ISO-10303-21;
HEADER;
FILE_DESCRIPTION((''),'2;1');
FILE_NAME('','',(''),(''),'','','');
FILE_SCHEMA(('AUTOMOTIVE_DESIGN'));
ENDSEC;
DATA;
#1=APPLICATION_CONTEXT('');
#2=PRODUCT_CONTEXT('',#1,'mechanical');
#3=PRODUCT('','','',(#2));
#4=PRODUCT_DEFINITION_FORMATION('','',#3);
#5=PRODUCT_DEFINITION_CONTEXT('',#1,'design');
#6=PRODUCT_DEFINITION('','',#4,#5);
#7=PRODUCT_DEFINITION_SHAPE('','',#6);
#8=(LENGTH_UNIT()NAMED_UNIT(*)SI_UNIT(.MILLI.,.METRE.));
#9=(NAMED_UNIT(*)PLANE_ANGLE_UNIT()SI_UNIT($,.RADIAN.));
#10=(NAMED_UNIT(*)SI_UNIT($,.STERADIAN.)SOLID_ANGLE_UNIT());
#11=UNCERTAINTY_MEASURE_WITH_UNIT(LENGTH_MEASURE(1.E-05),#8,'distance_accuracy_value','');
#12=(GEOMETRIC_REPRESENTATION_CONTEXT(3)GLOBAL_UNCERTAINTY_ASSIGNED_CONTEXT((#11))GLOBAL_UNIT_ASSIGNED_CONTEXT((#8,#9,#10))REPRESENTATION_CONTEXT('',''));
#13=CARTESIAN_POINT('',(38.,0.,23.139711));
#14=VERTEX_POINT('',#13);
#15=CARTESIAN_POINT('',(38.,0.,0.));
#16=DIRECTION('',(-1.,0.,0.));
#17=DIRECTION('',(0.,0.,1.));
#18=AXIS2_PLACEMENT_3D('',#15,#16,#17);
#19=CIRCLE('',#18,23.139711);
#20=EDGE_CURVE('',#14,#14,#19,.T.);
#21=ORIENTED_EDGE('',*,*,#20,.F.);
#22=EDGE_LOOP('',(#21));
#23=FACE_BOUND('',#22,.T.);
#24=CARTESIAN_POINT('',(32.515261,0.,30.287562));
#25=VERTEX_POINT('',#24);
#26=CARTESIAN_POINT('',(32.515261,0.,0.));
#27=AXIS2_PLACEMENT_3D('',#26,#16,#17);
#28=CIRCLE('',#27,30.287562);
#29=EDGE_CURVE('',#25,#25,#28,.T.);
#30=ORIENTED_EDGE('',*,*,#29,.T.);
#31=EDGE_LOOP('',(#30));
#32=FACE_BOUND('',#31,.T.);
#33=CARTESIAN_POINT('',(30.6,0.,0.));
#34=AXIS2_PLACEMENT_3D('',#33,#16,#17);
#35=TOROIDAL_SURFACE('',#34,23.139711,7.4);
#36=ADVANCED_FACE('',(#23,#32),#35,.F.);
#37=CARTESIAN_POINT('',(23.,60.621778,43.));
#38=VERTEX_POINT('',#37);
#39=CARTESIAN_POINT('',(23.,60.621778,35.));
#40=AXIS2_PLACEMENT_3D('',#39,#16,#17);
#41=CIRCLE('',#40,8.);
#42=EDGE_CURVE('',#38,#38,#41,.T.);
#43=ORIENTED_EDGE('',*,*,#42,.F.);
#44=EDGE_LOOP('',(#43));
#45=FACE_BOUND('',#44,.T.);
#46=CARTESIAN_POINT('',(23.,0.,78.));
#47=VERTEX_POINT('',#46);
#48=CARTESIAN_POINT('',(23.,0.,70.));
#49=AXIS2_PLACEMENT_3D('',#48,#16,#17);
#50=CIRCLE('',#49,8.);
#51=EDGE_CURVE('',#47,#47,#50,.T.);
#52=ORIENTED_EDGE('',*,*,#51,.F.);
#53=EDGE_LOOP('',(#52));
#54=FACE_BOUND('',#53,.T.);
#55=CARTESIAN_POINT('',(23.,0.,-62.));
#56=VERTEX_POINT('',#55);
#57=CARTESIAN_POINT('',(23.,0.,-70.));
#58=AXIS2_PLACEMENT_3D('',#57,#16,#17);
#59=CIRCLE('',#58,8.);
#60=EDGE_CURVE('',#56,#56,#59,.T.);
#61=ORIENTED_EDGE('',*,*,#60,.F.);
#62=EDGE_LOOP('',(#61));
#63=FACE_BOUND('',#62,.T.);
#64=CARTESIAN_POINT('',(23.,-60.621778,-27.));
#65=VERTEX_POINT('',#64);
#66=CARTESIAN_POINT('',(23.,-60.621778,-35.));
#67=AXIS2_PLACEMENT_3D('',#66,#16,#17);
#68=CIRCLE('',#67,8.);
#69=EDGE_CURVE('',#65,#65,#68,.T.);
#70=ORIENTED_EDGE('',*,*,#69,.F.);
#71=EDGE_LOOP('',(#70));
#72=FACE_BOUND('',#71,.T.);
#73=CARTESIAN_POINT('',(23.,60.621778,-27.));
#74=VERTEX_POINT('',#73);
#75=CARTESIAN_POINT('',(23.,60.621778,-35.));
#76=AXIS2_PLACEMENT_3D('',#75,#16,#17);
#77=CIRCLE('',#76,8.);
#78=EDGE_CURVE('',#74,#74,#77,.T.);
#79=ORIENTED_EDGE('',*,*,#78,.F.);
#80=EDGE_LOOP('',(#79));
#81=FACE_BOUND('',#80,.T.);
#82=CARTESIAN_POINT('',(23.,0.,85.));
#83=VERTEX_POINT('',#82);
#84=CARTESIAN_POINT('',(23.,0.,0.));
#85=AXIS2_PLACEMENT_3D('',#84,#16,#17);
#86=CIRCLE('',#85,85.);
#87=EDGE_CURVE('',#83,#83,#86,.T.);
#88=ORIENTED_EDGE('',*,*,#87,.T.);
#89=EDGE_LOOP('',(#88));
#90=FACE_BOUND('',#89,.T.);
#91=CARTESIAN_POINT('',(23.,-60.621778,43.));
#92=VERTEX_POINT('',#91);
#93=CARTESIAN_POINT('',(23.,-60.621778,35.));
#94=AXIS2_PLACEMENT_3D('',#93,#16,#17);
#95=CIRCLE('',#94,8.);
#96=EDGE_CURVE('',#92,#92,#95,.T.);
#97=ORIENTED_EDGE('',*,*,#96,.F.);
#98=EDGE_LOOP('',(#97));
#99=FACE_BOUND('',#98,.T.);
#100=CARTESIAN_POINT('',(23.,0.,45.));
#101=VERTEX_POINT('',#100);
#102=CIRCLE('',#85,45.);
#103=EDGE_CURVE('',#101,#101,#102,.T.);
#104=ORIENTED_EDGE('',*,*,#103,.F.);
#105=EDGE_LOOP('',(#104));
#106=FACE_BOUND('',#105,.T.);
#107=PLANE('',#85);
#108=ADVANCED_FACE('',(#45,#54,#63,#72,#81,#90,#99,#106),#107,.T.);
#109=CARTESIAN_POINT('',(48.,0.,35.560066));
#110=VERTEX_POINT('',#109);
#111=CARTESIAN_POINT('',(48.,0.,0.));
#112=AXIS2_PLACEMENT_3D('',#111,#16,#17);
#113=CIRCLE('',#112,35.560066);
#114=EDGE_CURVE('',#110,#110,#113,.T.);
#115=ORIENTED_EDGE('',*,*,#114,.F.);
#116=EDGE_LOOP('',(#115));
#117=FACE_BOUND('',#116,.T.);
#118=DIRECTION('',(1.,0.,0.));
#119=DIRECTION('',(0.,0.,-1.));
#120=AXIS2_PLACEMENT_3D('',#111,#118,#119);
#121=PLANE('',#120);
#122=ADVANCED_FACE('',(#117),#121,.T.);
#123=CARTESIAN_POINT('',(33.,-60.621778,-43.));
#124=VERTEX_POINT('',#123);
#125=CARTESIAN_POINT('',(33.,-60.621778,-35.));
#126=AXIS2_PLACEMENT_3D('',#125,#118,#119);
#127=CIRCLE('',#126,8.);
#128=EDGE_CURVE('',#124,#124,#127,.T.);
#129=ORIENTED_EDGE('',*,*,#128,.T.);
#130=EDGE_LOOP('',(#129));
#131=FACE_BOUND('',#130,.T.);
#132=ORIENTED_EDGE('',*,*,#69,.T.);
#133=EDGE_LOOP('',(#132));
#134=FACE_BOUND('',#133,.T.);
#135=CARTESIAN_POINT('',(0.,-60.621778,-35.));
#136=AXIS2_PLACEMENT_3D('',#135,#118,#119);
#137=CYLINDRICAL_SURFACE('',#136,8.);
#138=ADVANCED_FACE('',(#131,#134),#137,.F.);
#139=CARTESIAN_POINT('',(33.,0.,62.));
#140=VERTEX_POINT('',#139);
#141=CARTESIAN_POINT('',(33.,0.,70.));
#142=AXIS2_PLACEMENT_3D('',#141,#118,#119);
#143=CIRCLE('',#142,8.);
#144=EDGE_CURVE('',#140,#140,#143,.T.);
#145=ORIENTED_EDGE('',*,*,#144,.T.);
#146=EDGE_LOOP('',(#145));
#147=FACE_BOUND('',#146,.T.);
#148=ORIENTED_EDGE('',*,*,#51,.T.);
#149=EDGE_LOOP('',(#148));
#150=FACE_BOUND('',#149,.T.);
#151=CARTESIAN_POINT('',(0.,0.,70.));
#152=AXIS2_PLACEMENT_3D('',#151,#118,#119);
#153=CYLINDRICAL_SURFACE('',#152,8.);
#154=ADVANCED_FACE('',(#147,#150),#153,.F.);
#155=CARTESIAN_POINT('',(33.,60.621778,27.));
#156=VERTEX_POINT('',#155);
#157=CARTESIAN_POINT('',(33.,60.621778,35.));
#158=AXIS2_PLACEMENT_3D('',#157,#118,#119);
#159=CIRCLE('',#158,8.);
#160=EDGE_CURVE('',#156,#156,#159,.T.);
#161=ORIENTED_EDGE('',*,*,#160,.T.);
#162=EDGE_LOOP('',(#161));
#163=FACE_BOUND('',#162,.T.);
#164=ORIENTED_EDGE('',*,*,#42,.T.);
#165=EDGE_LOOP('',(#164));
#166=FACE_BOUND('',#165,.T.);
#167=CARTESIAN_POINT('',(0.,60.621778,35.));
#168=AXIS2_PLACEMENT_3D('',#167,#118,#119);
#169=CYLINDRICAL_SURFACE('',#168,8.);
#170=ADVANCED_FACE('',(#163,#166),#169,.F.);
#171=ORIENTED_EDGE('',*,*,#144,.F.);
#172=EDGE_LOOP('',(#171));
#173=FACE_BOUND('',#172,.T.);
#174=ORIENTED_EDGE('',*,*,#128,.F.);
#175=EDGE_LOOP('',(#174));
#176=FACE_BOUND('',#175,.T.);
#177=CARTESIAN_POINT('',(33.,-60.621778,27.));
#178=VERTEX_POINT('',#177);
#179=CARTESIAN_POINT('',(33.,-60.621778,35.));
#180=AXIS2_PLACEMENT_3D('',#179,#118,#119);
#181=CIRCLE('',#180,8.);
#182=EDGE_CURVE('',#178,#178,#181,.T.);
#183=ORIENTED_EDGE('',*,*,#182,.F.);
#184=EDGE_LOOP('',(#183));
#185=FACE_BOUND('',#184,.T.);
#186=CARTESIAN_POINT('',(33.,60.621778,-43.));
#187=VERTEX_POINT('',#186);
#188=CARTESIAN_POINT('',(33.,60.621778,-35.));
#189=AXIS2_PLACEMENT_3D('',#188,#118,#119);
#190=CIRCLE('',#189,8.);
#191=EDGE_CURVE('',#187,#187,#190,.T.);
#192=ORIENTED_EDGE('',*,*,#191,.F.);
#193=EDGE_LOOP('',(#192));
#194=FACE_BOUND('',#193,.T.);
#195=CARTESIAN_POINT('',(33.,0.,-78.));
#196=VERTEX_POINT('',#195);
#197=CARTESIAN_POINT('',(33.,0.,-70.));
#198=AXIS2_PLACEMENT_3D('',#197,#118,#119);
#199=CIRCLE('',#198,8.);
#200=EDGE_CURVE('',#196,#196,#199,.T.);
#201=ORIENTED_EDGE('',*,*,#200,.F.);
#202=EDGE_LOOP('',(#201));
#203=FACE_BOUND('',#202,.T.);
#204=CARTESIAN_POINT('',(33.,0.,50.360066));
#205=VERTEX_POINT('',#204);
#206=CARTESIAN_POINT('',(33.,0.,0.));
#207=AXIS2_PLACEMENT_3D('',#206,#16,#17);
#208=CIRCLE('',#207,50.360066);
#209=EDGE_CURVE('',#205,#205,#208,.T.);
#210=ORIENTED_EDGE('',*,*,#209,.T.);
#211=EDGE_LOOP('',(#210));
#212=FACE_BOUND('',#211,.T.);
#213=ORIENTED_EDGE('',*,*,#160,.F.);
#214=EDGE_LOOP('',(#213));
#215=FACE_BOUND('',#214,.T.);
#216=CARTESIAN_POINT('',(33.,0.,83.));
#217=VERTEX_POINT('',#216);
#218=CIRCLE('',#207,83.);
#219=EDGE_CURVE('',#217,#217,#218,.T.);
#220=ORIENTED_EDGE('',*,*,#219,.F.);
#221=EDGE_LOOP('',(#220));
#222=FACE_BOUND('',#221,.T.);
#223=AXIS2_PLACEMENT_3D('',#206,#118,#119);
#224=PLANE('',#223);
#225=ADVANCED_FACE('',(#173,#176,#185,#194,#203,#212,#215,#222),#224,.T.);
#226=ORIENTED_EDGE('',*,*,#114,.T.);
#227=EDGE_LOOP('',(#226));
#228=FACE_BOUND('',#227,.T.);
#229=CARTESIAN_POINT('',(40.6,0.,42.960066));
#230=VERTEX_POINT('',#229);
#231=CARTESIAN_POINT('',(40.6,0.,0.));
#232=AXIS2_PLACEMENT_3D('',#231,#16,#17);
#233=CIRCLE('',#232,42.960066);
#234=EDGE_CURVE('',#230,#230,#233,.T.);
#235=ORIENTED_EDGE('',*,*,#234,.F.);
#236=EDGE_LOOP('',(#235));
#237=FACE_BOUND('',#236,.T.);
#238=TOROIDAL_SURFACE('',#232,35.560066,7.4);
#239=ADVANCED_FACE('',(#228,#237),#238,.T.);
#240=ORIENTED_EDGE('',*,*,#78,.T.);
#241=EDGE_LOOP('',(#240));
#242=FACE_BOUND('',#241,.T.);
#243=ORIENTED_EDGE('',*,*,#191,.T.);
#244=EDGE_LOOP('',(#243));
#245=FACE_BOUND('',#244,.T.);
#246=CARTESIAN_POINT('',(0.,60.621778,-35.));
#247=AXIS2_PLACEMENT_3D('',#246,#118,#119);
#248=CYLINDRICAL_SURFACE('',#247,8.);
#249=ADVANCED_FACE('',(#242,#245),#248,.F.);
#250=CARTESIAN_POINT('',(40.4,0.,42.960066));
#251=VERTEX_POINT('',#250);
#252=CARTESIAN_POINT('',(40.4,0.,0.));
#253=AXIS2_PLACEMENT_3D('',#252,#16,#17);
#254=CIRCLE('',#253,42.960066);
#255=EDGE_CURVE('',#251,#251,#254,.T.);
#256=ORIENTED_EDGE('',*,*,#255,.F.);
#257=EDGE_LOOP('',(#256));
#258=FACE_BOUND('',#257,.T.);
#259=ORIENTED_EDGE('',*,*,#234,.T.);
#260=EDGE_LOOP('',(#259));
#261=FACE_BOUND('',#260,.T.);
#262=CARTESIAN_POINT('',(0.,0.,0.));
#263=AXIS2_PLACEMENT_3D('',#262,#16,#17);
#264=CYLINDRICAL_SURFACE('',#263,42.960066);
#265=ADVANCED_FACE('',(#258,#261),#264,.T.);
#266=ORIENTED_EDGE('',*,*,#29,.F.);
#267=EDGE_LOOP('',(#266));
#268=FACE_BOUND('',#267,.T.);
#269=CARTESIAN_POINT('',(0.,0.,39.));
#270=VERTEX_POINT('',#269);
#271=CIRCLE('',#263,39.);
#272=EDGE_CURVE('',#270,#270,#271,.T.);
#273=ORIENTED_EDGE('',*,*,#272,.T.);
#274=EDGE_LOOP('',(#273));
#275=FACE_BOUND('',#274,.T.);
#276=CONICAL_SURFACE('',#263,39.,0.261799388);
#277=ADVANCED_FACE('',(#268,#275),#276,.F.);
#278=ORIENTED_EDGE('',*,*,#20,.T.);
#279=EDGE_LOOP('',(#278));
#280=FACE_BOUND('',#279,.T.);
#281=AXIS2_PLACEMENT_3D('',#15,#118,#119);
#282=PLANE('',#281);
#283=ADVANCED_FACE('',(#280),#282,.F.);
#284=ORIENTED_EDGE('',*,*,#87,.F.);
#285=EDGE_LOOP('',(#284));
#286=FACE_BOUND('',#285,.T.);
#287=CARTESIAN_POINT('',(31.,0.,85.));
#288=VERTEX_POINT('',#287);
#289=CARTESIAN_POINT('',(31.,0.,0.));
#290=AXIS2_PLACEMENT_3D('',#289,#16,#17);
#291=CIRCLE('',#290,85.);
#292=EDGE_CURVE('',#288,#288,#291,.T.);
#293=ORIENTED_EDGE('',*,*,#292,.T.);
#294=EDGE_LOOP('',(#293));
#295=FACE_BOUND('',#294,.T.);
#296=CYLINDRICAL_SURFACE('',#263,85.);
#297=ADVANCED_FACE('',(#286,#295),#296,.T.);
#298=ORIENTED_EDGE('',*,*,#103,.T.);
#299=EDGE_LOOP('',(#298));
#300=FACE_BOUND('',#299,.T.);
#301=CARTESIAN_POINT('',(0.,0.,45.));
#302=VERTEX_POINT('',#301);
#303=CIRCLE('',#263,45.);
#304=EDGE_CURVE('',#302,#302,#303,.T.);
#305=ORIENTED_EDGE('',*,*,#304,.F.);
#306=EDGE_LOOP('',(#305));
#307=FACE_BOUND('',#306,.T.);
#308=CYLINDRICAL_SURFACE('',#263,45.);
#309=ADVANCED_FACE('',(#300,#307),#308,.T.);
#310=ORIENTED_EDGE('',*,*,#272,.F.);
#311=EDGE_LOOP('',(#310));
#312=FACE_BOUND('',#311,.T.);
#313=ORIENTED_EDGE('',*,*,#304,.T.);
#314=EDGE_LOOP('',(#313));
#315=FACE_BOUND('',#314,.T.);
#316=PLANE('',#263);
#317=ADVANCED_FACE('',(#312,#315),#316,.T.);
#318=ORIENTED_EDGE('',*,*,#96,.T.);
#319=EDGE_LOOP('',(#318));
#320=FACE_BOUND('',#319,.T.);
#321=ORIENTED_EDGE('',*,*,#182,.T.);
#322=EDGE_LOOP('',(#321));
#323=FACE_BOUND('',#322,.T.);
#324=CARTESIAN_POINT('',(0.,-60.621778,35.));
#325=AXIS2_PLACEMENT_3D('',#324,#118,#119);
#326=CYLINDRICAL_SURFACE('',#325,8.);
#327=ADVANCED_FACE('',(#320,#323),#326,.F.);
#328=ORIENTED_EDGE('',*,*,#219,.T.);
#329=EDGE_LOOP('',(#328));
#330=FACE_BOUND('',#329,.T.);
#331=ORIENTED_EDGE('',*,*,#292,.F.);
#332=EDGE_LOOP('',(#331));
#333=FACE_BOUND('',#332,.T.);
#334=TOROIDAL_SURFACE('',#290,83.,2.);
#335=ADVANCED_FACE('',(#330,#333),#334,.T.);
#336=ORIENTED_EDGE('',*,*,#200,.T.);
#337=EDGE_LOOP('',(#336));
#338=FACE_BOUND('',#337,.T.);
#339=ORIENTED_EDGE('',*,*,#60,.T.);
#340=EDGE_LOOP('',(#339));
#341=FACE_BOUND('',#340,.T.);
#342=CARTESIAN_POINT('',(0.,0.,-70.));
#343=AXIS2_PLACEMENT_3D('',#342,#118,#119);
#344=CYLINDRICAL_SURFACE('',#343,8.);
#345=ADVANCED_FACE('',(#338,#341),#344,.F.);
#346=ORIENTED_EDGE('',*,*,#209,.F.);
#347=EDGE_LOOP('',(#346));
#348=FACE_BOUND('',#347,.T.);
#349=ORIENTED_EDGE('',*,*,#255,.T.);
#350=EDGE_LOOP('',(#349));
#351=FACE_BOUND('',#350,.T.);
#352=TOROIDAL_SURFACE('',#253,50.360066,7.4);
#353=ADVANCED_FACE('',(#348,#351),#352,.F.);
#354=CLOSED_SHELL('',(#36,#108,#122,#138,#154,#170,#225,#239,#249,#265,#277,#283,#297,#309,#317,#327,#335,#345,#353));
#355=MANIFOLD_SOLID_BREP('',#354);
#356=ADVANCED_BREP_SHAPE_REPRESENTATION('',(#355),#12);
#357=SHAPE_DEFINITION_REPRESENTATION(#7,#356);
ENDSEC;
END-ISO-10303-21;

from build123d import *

# Parameters (mm, degrees)
CUT_EXTRUDE1_DEPTH      = 125.655525349
CUT_EXTRUDE1_DEPTH_BACK = 125.655525349
SKETCH2_R               = 8


with BuildPart() as part:
    # Sketch1 → Revolve1 (revolve)
    with BuildSketch(Plane.XY, mode=Mode.PRIVATE) as revolve1_sk:
        with BuildLine():
            Line((38, 23.139710977), (38, 0))
            Line((38, 0), (48, 0))
            Line((48, 0), (48, 35.560066311))
            ThreePointArc((48, 35.560066311), (45.832590181, 40.792656492), (40.6, 42.960066311))
            Line((40.6, 42.960066311), (40.4, 42.960066311))
            ThreePointArc((40.4, 42.960066311), (35.167409819, 45.127476131), (33, 50.360066311))
            Line((33, 50.360066311), (33, 83))
            ThreePointArc((33, 83), (32.414213562, 84.414213562), (31, 85))
            Line((31, 85), (23, 85))
            Line((23, 85), (23, 45))
            Line((23, 45), (0, 45))
            Line((0, 45), (0, 39))
            Line((0, 39), (32.515260934, 30.287562091))
            ThreePointArc((32.515260934, 30.287562091), (36.470814718, 27.644545551), (38, 23.139710977))
        make_face()
    revolve(revolve1_sk.sketch.rotate(Axis((0, 0, 0), (1, 0, 0)), 90), axis=Axis((0, 0, 0), (1, 0, 0)))

    # Sketch2 → Cut-Extrude1 (cut, two sides: drawn at the far end of the back side and taken through both)
    with BuildSketch(Plane(origin=(33, 0, 0), x_dir=(0, 0, -1), z_dir=(1, 0, 0)).offset(-CUT_EXTRUDE1_DEPTH_BACK)):
        with Locations((70, 0)):
            Circle(SKETCH2_R)
        with Locations((35, -60.621778265)):
            Circle(SKETCH2_R)
        with Locations((-35, -60.621778265)):
            Circle(SKETCH2_R)
        with Locations((-70, 0)):
            Circle(SKETCH2_R)
        with Locations((-35, 60.621778265)):
            Circle(SKETCH2_R)
        with Locations((35, 60.621778265)):
            Circle(SKETCH2_R)
    extrude(amount=CUT_EXTRUDE1_DEPTH + CUT_EXTRUDE1_DEPTH_BACK, mode=Mode.SUBTRACT)


solid = part.part
